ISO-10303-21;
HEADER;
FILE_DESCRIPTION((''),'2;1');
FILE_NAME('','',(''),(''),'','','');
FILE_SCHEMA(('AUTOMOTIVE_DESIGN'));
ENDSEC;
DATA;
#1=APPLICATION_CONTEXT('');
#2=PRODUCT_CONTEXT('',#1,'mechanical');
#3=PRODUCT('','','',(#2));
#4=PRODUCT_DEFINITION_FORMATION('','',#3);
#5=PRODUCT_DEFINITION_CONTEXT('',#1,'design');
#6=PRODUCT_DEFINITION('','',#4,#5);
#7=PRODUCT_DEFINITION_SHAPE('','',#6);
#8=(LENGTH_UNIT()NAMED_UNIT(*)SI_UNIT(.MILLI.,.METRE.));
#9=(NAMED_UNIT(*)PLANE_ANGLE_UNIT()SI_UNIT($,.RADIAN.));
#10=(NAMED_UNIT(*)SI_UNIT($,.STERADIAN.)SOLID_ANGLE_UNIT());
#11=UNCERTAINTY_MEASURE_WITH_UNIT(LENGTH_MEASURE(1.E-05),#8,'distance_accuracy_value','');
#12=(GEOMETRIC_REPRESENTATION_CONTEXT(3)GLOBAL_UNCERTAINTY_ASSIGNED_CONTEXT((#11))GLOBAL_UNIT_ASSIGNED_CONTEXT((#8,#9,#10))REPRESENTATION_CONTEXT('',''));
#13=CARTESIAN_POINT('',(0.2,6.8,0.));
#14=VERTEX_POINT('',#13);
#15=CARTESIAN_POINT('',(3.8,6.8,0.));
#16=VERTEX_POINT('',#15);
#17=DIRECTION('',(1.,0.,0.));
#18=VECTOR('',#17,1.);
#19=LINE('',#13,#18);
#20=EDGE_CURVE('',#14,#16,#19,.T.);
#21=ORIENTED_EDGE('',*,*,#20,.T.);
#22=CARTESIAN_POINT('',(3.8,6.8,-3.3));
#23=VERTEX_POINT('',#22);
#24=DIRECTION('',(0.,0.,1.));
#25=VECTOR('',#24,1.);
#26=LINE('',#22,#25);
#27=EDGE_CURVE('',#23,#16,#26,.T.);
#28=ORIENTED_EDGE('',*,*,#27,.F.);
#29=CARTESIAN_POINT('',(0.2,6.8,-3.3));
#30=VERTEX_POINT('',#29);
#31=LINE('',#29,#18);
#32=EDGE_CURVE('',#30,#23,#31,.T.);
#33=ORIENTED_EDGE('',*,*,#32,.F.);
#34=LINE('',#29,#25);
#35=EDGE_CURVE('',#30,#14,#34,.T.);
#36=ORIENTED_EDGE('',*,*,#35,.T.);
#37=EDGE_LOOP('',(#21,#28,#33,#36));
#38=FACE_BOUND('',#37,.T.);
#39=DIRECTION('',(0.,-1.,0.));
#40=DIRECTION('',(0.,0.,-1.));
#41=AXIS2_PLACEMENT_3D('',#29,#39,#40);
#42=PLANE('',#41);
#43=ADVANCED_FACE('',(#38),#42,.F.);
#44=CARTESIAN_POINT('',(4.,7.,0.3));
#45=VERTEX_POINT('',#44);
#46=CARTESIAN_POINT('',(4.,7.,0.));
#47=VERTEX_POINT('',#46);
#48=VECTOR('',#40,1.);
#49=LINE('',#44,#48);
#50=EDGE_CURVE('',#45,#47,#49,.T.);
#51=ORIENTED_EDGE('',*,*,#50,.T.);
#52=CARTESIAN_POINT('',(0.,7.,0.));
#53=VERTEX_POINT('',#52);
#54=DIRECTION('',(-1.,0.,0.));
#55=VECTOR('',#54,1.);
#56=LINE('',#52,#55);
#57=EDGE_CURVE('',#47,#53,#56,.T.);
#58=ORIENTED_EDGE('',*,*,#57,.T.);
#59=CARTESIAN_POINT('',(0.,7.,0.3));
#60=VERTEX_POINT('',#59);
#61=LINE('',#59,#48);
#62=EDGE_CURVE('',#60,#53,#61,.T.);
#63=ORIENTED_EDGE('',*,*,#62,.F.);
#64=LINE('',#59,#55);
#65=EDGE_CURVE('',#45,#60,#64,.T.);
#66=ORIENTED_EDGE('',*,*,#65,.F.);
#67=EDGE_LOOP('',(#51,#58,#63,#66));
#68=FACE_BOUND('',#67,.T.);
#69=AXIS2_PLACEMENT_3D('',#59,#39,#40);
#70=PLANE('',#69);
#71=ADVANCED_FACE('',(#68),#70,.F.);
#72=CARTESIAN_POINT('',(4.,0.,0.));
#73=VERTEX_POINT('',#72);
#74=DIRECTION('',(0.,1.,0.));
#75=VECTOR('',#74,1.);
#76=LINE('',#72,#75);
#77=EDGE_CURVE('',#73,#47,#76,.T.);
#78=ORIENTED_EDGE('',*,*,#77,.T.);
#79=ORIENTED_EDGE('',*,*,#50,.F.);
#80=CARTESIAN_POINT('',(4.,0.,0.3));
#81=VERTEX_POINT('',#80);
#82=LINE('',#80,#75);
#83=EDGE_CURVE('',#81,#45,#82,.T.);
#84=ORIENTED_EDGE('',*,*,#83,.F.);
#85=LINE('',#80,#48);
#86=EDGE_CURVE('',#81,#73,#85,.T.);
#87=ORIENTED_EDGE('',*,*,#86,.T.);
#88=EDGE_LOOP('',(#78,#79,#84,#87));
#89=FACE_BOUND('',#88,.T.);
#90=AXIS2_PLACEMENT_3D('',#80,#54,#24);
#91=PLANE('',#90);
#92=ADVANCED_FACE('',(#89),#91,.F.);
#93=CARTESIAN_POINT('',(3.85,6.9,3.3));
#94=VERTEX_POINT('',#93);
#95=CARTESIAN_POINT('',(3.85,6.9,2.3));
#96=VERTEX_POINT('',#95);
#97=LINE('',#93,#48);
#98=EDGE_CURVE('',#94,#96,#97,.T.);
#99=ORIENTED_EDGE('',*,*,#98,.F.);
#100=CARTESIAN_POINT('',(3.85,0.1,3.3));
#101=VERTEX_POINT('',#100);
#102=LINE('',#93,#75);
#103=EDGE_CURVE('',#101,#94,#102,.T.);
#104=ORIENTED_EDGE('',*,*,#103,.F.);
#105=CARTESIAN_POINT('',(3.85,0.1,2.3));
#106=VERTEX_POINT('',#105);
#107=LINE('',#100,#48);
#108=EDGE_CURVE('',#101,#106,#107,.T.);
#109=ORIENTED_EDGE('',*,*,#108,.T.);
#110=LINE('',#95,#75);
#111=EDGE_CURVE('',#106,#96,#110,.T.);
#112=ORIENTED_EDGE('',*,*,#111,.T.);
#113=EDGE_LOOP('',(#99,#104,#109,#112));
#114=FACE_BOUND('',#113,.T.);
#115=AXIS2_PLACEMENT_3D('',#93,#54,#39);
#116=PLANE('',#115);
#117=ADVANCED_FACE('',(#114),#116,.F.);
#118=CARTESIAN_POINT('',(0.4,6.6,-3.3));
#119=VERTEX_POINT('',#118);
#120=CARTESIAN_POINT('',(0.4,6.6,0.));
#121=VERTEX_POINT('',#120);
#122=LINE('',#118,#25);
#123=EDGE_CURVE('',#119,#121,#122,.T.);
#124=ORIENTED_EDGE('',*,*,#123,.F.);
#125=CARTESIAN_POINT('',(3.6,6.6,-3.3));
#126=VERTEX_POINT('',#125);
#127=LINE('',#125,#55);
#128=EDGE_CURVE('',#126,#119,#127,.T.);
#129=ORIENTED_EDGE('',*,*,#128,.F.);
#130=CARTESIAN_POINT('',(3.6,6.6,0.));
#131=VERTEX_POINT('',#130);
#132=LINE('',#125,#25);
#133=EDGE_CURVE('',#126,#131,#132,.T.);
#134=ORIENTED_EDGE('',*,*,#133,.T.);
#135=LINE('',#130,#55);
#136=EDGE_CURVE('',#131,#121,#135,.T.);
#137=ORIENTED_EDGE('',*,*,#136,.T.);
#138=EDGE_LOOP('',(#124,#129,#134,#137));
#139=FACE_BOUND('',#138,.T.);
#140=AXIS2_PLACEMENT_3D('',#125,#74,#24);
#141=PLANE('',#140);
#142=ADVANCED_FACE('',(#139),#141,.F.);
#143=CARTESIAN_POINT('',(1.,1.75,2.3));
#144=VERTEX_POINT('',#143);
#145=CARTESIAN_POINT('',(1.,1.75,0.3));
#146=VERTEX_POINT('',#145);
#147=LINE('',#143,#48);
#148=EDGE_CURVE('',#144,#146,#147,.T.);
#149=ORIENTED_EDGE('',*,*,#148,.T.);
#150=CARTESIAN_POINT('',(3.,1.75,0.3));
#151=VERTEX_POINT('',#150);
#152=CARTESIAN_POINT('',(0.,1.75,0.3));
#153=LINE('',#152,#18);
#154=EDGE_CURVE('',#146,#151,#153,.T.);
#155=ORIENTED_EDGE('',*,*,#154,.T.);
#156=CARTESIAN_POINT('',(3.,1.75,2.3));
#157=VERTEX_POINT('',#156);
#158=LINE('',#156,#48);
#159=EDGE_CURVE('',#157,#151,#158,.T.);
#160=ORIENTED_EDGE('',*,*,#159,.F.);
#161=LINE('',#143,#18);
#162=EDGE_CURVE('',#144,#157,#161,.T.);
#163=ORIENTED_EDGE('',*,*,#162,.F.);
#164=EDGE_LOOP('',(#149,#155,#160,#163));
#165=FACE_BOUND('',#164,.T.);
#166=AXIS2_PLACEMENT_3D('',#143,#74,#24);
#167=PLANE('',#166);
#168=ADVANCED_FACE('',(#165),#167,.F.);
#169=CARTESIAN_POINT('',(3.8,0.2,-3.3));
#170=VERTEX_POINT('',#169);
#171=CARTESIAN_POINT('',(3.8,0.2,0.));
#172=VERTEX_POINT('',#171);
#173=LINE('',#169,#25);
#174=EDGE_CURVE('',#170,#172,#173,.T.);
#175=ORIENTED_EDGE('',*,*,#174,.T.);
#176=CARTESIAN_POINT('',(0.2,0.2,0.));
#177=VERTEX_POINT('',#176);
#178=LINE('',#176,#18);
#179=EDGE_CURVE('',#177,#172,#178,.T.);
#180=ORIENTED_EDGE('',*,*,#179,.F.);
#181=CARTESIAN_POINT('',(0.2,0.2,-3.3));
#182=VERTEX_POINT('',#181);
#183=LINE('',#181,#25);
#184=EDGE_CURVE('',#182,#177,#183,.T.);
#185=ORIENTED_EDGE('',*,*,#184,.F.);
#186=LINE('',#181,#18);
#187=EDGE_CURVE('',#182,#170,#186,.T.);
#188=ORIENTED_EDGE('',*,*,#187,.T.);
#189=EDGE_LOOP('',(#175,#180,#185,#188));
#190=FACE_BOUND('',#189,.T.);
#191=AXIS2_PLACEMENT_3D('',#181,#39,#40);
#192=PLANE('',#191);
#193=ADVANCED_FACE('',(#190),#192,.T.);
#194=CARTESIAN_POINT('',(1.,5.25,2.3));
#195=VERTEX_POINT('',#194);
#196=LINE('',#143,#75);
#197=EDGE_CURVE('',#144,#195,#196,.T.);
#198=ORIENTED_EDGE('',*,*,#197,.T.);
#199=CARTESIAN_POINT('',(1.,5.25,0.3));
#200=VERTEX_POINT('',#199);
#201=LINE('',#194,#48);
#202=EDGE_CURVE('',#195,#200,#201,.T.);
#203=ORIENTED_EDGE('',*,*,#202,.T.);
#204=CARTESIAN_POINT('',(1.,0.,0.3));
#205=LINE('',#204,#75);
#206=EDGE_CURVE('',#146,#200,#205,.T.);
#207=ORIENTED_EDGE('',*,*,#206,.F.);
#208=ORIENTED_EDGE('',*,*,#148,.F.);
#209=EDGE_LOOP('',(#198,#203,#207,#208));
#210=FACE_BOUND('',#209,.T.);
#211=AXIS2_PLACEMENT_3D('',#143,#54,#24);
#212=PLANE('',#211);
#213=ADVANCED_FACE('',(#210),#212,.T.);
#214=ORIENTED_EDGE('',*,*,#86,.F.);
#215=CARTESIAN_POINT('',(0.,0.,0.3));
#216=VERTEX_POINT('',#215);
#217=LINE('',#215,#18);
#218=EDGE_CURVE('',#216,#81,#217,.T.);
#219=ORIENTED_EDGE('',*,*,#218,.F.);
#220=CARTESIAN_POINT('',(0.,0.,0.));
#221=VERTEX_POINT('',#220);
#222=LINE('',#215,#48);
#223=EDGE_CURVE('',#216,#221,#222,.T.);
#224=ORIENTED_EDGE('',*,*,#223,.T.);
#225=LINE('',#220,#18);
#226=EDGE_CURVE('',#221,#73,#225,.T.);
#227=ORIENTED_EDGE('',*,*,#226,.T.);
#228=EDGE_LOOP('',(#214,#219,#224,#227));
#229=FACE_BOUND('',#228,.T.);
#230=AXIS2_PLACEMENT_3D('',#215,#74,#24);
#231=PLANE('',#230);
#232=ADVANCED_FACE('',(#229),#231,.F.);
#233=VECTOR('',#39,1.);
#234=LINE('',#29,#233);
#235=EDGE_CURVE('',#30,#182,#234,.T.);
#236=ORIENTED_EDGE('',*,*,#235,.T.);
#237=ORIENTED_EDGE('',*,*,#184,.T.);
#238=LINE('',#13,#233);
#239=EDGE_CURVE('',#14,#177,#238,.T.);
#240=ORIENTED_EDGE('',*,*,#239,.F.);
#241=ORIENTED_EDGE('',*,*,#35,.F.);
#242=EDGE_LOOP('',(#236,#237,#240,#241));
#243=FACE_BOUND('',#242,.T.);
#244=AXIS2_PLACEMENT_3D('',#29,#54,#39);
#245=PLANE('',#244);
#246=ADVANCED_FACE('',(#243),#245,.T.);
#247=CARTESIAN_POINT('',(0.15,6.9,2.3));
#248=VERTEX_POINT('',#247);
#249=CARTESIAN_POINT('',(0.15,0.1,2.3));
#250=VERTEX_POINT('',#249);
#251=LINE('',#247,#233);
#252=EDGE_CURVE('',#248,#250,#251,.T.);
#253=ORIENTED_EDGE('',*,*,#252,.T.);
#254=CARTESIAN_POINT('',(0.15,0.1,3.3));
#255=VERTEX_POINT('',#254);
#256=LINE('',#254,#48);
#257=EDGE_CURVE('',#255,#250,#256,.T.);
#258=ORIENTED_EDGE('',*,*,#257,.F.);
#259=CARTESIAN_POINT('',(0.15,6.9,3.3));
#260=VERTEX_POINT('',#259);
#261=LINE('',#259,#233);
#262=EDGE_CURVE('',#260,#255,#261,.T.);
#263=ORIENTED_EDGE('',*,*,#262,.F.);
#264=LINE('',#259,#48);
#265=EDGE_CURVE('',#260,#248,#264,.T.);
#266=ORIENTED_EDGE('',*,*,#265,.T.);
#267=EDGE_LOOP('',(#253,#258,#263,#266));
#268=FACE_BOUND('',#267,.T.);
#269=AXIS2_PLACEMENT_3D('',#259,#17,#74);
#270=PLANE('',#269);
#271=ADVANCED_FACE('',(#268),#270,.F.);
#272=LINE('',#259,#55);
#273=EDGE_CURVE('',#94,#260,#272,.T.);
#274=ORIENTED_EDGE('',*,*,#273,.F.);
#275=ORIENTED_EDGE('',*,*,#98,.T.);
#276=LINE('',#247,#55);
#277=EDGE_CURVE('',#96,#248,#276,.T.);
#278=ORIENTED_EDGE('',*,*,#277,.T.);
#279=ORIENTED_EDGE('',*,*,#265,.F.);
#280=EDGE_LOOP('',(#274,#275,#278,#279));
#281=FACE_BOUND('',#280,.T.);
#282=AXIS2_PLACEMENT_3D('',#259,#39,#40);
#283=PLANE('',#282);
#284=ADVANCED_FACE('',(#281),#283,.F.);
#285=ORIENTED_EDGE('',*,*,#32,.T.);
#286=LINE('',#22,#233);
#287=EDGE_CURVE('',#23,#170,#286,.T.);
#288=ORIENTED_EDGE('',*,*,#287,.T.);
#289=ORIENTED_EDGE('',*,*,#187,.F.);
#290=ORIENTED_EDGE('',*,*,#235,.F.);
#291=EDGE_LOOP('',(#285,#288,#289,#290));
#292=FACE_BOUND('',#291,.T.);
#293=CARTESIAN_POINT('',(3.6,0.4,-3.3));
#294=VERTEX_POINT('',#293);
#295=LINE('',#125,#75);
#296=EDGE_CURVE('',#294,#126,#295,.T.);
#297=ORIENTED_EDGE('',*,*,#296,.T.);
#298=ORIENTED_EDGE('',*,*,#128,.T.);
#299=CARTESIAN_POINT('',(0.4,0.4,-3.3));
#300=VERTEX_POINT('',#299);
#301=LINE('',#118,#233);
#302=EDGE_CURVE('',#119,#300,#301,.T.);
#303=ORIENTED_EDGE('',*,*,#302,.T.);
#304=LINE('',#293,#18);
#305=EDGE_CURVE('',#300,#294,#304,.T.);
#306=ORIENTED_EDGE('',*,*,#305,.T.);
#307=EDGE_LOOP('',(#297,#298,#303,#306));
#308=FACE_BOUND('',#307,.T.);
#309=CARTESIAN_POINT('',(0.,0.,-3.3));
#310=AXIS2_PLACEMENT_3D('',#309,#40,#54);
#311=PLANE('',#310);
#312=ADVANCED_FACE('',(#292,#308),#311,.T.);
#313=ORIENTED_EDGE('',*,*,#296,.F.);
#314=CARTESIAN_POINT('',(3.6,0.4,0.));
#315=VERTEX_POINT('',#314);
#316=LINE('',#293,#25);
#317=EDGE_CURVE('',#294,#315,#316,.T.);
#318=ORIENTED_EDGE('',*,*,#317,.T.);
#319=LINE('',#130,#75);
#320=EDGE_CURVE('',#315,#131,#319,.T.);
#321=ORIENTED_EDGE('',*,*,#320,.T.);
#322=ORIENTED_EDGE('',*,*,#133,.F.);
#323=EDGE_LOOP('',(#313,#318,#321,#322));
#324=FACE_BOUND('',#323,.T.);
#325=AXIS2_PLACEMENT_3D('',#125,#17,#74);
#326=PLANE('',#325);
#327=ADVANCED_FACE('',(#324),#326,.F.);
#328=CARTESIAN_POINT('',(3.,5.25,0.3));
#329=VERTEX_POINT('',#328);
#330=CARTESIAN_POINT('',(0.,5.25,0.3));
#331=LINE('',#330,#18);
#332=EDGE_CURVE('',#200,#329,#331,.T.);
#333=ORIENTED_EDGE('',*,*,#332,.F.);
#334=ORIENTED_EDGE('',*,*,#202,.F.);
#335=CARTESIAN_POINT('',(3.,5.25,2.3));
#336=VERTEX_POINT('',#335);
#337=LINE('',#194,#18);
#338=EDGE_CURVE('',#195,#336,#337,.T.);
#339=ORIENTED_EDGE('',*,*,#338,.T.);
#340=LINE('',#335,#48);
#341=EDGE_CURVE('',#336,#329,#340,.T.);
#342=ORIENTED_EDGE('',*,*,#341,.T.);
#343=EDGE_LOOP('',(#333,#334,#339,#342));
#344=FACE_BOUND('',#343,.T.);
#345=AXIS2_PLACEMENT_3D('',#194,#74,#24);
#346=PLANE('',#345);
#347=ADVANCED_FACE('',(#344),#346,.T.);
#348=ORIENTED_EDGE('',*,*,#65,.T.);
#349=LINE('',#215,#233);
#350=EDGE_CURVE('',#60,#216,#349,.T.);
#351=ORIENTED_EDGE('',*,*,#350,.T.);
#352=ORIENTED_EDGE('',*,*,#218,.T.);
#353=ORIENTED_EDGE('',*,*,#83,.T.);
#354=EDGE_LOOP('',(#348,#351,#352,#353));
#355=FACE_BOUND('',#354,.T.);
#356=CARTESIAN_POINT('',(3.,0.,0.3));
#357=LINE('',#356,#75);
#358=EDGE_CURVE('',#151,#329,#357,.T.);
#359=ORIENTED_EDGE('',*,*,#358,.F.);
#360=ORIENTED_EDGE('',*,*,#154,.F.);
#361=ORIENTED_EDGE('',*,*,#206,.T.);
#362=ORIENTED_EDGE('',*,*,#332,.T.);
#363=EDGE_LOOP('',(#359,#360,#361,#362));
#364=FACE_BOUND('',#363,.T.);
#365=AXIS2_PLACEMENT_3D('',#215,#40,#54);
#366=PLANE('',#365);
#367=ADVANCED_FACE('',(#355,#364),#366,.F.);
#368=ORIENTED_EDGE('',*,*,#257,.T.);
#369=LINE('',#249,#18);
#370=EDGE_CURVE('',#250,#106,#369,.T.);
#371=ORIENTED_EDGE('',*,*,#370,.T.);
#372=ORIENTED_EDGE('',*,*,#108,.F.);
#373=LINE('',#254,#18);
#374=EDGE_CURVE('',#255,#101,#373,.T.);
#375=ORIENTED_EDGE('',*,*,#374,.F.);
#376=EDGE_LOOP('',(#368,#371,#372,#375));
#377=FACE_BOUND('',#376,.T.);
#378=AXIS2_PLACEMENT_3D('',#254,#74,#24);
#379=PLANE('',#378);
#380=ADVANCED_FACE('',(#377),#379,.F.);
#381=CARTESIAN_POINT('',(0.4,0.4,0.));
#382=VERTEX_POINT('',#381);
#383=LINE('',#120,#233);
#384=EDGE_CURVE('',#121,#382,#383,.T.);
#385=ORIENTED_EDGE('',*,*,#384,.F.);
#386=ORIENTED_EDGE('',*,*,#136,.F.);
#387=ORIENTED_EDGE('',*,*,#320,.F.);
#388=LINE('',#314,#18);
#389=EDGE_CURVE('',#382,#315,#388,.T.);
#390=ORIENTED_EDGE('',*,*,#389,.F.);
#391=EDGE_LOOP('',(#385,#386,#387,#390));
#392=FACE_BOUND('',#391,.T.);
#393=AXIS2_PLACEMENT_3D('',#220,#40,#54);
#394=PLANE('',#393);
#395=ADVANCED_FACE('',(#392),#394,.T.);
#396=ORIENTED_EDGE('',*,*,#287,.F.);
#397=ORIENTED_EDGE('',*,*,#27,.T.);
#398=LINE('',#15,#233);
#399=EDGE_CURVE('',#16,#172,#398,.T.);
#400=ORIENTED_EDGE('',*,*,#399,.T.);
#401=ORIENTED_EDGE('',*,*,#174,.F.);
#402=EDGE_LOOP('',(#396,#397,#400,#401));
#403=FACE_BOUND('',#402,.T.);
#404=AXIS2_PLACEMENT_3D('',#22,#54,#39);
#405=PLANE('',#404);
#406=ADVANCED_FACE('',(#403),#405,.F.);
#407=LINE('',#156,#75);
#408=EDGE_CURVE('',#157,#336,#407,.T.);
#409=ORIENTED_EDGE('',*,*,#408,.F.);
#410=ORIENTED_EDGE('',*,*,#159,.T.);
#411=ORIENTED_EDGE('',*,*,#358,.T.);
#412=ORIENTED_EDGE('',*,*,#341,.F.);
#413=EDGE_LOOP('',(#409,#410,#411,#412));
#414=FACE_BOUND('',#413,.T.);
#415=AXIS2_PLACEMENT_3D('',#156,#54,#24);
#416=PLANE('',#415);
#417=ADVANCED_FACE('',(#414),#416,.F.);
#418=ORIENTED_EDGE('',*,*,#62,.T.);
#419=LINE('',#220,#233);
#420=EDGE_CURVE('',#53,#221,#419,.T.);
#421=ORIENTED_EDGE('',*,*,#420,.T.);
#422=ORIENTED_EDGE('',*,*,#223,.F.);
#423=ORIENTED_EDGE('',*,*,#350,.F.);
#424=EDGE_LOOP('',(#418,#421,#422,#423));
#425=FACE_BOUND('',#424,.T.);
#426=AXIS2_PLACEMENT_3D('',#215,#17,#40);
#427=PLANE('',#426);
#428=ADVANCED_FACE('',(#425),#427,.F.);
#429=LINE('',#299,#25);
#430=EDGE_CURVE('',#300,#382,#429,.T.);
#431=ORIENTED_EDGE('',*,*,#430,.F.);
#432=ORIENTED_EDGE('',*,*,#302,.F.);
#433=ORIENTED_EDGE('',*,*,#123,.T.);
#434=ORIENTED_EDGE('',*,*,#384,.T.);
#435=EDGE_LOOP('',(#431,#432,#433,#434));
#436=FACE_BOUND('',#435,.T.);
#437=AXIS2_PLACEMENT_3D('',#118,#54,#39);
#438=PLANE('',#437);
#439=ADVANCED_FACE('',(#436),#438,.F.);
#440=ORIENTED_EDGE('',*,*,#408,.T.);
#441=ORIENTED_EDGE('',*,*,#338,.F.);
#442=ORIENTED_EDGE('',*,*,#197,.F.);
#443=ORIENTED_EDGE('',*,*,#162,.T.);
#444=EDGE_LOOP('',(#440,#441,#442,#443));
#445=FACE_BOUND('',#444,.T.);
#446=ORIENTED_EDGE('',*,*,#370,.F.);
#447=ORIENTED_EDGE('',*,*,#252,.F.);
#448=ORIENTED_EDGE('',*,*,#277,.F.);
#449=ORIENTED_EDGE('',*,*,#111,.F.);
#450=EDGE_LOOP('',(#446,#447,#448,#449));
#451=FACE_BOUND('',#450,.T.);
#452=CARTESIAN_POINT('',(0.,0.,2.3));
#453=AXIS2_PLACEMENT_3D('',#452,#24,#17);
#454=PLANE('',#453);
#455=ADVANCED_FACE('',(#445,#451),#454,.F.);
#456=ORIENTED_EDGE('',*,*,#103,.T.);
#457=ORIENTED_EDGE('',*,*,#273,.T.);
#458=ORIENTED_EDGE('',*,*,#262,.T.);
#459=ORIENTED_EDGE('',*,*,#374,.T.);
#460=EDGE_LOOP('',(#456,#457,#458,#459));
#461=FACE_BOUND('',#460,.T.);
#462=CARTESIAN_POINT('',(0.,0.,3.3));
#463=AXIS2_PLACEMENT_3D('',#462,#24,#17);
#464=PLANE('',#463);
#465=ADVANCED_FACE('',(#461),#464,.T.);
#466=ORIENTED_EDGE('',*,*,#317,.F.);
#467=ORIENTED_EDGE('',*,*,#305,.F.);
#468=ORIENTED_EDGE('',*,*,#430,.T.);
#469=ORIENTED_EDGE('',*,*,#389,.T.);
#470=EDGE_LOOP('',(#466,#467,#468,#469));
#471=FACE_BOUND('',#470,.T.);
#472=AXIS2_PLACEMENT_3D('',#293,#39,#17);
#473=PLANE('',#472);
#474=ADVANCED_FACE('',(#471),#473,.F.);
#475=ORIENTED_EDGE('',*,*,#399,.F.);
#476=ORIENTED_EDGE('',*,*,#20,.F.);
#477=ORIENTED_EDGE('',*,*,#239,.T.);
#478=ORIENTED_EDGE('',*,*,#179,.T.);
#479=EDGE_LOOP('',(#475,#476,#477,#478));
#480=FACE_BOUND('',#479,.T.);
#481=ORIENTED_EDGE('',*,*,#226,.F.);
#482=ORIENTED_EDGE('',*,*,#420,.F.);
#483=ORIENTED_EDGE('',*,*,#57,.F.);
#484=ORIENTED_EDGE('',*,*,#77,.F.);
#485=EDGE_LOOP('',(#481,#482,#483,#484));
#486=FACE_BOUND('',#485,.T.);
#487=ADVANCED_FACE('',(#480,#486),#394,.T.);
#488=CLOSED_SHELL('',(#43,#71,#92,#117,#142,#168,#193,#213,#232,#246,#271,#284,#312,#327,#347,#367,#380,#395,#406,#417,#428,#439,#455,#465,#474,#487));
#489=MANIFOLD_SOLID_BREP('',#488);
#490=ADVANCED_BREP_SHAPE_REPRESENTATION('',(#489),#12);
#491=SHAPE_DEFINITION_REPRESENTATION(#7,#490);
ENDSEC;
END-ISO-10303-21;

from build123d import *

# Parameters (mm, degrees)
SCHIZZO1_W                   = 4
SCHIZZO1_H                   = 7
ESTRUSIONE_ESTRUSIONE1_DEPTH = 0.3
SCHIZZO2_W                   = 3.6
SCHIZZO2_H                   = 6.6
ESTRUSIONE_ESTRUSIONE2_DEPTH = 3.3
SCHIZZO3_W                   = 3.2
SCHIZZO3_H                   = 6.2
TAGLIO_ESTRUSIONE1_DEPTH     = 4.3
SCHIZZO6_W                   = 2
SCHIZZO6_H                   = 3.5
ESTRUSIONE_ESTRUSIONE3_DEPTH = 2.3
SCHIZZO7_W                   = 3.7
SCHIZZO7_H                   = 6.8
ESTRUSIONE_ESTRUSIONE4_DEPTH = 1


with BuildPart() as part:
    # Schizzo1 → Estrusione-Estrusione1 (new body)
    with BuildSketch(Plane.XY):
        with Locations((2, 3.5)):
            Rectangle(SCHIZZO1_W, SCHIZZO1_H)
    extrude(amount=ESTRUSIONE_ESTRUSIONE1_DEPTH)

    # Schizzo2 → Estrusione-Estrusione2 (add)
    with BuildSketch(Plane.XY):
        with Locations((2, 3.5)):
            Rectangle(SCHIZZO2_W, SCHIZZO2_H)
    extrude(amount=-ESTRUSIONE_ESTRUSIONE2_DEPTH)

    # Schizzo3 → Taglio-Estrusione1 (cut, through all)
    with BuildSketch(Plane.XY):
        with Locations((2, 3.5)):
            Rectangle(SCHIZZO3_W, SCHIZZO3_H)
    extrude(amount=-TAGLIO_ESTRUSIONE1_DEPTH, mode=Mode.SUBTRACT)

    # Schizzo6 → Estrusione-Estrusione3 (add)
    with BuildSketch(Plane.XY):
        with Locations((2, 3.5)):
            Rectangle(SCHIZZO6_W, SCHIZZO6_H)
    extrude(amount=ESTRUSIONE_ESTRUSIONE3_DEPTH)

    # Schizzo7 → Estrusione-Estrusione4 (add)
    with BuildSketch(Plane.XY.offset(2.3)):
        with Locations((2, 3.5)):
            Rectangle(SCHIZZO7_W, SCHIZZO7_H)
    extrude(amount=ESTRUSIONE_ESTRUSIONE4_DEPTH)


solid = part.part
